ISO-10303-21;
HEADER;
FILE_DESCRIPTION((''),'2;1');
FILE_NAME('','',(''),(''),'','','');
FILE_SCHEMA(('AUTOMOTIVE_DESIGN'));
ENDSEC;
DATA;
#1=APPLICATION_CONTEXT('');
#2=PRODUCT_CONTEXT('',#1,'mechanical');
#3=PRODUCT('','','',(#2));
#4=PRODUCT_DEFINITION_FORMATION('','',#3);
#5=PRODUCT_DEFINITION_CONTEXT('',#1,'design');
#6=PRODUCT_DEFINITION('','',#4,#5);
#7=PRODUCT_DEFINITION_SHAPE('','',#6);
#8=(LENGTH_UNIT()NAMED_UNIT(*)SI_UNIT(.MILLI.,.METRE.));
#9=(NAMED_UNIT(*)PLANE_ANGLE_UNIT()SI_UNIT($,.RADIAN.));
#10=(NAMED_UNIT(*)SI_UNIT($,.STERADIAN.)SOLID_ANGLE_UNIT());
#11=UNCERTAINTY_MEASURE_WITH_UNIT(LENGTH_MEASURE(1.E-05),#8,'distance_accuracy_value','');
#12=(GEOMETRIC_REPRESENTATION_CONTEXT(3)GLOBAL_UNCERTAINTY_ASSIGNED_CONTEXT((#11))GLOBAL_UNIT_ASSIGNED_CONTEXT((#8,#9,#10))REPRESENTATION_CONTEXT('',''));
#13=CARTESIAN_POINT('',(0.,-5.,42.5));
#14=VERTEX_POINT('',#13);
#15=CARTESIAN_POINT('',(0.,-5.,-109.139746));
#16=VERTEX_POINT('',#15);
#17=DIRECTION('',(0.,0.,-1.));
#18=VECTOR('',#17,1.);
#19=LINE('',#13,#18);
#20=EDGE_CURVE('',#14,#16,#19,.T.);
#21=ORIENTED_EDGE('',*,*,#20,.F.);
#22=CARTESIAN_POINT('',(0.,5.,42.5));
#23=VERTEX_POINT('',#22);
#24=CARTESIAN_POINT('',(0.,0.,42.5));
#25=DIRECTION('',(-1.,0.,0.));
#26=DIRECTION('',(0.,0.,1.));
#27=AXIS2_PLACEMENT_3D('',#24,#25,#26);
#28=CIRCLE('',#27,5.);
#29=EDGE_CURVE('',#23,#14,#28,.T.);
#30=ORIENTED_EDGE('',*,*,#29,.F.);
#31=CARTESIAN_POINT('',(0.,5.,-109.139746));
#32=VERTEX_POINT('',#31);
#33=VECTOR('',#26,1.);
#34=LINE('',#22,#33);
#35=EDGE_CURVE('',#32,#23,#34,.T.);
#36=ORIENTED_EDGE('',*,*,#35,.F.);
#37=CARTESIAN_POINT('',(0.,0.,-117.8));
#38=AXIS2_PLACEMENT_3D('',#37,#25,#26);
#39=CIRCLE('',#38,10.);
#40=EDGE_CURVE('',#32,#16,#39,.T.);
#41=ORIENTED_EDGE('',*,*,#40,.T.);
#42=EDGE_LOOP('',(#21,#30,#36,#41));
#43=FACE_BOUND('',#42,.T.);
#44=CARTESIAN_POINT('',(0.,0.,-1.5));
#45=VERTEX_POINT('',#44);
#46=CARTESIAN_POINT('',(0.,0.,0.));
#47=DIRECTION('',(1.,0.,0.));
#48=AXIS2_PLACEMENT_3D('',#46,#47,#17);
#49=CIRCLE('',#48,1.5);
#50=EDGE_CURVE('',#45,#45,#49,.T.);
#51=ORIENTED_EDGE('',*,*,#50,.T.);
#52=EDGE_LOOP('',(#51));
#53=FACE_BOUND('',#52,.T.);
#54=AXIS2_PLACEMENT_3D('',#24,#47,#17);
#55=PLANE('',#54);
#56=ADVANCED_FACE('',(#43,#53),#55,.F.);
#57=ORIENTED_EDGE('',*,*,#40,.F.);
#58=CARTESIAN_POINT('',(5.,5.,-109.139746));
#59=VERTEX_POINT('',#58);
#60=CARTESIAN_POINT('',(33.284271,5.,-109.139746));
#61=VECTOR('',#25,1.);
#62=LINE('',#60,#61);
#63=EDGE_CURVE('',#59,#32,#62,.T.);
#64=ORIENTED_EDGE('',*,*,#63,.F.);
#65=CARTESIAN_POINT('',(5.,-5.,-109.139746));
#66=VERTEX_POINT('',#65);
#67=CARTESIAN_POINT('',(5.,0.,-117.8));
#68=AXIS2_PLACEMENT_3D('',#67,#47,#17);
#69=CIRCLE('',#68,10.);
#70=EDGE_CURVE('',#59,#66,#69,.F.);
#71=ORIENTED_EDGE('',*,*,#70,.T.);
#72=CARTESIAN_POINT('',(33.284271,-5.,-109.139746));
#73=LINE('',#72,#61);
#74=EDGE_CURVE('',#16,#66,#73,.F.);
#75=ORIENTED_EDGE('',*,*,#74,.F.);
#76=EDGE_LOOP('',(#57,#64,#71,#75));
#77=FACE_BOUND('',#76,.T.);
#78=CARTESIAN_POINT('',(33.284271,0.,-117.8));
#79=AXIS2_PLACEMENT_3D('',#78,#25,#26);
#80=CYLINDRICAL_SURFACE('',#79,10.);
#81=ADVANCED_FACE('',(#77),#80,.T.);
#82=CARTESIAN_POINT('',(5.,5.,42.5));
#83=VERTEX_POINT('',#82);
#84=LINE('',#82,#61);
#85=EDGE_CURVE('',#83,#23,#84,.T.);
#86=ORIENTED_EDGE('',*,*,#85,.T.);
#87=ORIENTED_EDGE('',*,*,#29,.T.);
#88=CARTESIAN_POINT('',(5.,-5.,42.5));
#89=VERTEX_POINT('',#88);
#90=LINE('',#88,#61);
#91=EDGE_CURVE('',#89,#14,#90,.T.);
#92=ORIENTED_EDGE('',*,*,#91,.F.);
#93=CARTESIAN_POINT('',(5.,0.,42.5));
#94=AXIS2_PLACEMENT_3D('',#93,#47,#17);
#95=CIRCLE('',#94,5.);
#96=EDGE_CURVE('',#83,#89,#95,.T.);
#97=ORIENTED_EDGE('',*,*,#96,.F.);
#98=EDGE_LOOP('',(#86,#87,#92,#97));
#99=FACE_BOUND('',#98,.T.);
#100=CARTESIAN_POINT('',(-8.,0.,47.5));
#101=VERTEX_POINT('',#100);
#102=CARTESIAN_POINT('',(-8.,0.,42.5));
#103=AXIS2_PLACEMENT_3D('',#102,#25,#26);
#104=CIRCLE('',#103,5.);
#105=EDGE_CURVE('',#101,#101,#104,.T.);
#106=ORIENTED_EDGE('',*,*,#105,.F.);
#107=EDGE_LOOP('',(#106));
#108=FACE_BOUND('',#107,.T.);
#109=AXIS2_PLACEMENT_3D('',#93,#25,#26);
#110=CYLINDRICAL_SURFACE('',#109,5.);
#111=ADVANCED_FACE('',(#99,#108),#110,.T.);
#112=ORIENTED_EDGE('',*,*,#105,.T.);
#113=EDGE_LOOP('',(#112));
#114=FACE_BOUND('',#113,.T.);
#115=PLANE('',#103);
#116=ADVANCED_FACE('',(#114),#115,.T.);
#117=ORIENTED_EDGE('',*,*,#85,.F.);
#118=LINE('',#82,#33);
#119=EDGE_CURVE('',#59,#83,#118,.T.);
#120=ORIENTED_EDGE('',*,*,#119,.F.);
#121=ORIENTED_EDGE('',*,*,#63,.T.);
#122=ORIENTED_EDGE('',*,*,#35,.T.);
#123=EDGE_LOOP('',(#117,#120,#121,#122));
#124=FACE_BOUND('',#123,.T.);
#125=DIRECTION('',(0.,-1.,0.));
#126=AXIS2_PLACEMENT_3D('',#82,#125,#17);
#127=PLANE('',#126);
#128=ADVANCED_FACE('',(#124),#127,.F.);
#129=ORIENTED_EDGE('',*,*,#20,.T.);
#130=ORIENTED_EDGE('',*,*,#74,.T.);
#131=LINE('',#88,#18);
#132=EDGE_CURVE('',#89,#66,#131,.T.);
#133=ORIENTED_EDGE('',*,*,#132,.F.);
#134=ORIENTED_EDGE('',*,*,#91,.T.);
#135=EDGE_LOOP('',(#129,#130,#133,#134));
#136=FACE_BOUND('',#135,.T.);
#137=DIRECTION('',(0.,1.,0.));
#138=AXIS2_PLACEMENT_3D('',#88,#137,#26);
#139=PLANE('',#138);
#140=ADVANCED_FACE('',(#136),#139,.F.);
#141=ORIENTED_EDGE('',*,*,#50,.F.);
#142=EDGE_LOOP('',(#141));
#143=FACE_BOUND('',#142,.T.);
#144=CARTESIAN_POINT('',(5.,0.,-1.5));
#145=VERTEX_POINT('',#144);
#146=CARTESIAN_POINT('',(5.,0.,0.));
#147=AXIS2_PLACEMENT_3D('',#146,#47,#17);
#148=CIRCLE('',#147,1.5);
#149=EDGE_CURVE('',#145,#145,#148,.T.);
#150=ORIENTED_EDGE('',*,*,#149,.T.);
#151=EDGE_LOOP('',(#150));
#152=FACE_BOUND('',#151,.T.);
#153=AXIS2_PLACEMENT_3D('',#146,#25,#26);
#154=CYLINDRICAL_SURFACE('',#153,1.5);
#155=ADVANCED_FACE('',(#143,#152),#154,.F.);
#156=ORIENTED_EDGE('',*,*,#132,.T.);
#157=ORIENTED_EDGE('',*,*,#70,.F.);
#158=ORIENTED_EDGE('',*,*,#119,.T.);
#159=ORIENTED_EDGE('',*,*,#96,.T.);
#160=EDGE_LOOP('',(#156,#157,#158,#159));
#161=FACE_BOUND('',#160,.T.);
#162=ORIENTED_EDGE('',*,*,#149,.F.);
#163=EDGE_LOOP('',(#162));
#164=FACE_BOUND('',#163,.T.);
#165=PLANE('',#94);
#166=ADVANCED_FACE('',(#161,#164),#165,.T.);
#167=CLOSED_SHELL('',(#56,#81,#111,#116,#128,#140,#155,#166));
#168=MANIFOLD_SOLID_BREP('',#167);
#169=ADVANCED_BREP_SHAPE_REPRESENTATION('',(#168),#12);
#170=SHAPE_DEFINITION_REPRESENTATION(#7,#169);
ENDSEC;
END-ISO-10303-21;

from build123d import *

# Parameters (mm, degrees)
ESBO_O1_R                = 1.5
RESSALTO_EXTRUS_O1_DEPTH = 5
RESSALTO_EXTRUS_O2_START = 8
ESBO_O2_R                = 5
RESSALTO_EXTRUS_O2_DEPTH = 8
ESBO_O3_R                = 10
RESSALTO_EXTRUS_O3_DEPTH = 5


with BuildPart() as part:
    # Esboço1 → Ressalto-extrusão1 (new body)
    with BuildSketch(Plane.YZ):
        with BuildLine():
            Line((5, 42.5), (5, -117.8))
            ThreePointArc((5, -117.8), (0, -122.8), (-5, -117.8))
            Line((-5, -117.8), (-5, 42.5))
            ThreePointArc((-5, 42.5), (0, 47.5), (5, 42.5))
        make_face()
        with Locations(Location((0, 0, 0), (0, 0, 270))):
            Circle(ESBO_O1_R, mode=Mode.SUBTRACT)
    extrude(amount=RESSALTO_EXTRUS_O1_DEPTH)

    # Esboço2 → Ressalto-extrusão2 (add)
    with BuildSketch(Plane(origin=(0, 0, 0), x_dir=(0, -1, 0), z_dir=(-1, 0, 0)).offset(RESSALTO_EXTRUS_O2_START)):
        with Locations(Location((0, 42.5, 0), (0, 0, 90))):
            Circle(ESBO_O2_R)
    extrude(amount=-RESSALTO_EXTRUS_O2_DEPTH)

    # Esboço3 → Ressalto-extrusão3 (add)
    with BuildSketch(Plane(origin=(0, 0, 0), x_dir=(0, -1, 0), z_dir=(-1, 0, 0))):
        with Locations((0, -117.8)):
            Circle(ESBO_O3_R)
    extrude(amount=-RESSALTO_EXTRUS_O3_DEPTH)


solid = part.part
